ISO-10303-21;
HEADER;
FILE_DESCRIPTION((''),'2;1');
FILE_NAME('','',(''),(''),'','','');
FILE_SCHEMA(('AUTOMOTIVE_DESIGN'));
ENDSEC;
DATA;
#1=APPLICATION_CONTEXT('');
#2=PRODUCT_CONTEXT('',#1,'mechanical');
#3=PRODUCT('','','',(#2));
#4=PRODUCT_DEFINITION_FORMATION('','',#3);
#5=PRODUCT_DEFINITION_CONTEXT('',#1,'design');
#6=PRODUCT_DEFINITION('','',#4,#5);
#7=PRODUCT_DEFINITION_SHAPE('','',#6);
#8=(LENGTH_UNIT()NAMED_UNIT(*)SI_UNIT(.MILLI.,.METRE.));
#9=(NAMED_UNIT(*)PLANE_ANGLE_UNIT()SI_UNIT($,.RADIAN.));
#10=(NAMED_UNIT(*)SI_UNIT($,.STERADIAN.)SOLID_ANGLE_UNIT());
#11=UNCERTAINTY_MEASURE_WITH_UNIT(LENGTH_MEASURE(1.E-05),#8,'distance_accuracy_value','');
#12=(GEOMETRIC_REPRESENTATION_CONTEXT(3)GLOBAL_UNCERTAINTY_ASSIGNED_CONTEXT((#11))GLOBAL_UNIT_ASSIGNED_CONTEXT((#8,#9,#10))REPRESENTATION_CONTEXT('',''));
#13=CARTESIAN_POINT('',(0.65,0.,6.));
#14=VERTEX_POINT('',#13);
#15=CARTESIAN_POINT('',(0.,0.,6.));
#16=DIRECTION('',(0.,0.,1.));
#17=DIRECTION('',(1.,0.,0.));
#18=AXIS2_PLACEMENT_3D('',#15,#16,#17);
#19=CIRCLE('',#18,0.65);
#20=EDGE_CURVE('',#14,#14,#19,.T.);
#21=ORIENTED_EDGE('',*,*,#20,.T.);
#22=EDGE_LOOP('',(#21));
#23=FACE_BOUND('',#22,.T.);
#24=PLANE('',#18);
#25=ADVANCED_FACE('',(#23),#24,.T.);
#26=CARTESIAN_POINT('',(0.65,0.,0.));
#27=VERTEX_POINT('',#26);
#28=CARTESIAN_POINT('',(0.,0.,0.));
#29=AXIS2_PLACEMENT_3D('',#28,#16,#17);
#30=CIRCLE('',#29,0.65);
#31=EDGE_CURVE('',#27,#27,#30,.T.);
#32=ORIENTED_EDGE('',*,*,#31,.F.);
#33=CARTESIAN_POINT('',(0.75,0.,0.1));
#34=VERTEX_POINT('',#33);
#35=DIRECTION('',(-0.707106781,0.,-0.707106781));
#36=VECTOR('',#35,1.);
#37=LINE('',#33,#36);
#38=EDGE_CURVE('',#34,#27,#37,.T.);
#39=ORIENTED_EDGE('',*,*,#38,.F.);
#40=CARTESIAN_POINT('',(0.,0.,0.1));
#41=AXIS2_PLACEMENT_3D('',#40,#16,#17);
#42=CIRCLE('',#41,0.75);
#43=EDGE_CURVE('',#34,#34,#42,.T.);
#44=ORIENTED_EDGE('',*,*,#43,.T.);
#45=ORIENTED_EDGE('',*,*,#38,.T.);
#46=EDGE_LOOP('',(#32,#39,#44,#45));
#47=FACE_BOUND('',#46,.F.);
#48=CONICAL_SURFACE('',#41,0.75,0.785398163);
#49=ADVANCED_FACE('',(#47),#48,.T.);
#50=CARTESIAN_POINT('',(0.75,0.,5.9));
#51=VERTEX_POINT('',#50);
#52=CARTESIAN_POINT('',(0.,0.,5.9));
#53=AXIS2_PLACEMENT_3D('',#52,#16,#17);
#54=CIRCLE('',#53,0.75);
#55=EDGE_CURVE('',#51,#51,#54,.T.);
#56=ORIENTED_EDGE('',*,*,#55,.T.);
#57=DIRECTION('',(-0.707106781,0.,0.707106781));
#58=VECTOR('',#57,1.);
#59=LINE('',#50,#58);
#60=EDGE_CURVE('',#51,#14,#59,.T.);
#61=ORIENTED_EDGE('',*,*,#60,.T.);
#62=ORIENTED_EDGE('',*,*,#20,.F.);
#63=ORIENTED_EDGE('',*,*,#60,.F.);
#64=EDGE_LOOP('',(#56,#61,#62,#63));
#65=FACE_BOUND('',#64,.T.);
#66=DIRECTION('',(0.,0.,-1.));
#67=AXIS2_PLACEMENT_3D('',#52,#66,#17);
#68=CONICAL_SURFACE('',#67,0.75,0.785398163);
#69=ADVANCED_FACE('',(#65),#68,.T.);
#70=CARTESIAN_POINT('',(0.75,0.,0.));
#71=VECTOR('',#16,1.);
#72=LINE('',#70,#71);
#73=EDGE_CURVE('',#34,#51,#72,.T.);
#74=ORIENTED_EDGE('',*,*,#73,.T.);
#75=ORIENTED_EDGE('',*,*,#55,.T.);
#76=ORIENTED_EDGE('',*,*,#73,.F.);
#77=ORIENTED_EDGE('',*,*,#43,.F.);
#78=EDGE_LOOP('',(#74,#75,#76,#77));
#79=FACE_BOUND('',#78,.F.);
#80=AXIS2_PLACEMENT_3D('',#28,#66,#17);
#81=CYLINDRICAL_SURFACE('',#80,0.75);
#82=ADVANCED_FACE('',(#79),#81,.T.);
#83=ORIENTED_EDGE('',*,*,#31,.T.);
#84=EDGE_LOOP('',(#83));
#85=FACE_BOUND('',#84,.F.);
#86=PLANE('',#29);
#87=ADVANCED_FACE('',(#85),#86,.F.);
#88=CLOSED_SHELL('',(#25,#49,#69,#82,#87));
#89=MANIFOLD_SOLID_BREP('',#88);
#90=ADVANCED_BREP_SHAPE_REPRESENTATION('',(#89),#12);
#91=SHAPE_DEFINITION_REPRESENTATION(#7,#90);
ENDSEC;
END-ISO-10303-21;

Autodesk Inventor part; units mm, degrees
ref_plane "YZ Plane" through (0, 0, 0) normal (1, 0, 0) x (0, 1, 0)
ref_plane "XZ Plane" through (0, 0, 0) normal (0, 1, 0) x (-1, 0, 0)
ref_plane "XY Plane" through (0, 0, 0) normal (0, 0, 1) x (1, 0, 0)
sketch "スケッチ1" plane through (0, 0, 0) normal (0, 0, 1) x (1, 0, 0)
  circle A0 centre (0, 0) radius 0.75
  dimension "d0" = 1.5
extrude "押し出し1" add sketch "スケッチ1" along normal blind 6
chamfer "面取り1" distance 0.1 angle 45 2 edges at (-0.75, 0, 6) (-0.75, 0, 0)
properties part number "shaft_phi1.5_l6" material "鋼"
